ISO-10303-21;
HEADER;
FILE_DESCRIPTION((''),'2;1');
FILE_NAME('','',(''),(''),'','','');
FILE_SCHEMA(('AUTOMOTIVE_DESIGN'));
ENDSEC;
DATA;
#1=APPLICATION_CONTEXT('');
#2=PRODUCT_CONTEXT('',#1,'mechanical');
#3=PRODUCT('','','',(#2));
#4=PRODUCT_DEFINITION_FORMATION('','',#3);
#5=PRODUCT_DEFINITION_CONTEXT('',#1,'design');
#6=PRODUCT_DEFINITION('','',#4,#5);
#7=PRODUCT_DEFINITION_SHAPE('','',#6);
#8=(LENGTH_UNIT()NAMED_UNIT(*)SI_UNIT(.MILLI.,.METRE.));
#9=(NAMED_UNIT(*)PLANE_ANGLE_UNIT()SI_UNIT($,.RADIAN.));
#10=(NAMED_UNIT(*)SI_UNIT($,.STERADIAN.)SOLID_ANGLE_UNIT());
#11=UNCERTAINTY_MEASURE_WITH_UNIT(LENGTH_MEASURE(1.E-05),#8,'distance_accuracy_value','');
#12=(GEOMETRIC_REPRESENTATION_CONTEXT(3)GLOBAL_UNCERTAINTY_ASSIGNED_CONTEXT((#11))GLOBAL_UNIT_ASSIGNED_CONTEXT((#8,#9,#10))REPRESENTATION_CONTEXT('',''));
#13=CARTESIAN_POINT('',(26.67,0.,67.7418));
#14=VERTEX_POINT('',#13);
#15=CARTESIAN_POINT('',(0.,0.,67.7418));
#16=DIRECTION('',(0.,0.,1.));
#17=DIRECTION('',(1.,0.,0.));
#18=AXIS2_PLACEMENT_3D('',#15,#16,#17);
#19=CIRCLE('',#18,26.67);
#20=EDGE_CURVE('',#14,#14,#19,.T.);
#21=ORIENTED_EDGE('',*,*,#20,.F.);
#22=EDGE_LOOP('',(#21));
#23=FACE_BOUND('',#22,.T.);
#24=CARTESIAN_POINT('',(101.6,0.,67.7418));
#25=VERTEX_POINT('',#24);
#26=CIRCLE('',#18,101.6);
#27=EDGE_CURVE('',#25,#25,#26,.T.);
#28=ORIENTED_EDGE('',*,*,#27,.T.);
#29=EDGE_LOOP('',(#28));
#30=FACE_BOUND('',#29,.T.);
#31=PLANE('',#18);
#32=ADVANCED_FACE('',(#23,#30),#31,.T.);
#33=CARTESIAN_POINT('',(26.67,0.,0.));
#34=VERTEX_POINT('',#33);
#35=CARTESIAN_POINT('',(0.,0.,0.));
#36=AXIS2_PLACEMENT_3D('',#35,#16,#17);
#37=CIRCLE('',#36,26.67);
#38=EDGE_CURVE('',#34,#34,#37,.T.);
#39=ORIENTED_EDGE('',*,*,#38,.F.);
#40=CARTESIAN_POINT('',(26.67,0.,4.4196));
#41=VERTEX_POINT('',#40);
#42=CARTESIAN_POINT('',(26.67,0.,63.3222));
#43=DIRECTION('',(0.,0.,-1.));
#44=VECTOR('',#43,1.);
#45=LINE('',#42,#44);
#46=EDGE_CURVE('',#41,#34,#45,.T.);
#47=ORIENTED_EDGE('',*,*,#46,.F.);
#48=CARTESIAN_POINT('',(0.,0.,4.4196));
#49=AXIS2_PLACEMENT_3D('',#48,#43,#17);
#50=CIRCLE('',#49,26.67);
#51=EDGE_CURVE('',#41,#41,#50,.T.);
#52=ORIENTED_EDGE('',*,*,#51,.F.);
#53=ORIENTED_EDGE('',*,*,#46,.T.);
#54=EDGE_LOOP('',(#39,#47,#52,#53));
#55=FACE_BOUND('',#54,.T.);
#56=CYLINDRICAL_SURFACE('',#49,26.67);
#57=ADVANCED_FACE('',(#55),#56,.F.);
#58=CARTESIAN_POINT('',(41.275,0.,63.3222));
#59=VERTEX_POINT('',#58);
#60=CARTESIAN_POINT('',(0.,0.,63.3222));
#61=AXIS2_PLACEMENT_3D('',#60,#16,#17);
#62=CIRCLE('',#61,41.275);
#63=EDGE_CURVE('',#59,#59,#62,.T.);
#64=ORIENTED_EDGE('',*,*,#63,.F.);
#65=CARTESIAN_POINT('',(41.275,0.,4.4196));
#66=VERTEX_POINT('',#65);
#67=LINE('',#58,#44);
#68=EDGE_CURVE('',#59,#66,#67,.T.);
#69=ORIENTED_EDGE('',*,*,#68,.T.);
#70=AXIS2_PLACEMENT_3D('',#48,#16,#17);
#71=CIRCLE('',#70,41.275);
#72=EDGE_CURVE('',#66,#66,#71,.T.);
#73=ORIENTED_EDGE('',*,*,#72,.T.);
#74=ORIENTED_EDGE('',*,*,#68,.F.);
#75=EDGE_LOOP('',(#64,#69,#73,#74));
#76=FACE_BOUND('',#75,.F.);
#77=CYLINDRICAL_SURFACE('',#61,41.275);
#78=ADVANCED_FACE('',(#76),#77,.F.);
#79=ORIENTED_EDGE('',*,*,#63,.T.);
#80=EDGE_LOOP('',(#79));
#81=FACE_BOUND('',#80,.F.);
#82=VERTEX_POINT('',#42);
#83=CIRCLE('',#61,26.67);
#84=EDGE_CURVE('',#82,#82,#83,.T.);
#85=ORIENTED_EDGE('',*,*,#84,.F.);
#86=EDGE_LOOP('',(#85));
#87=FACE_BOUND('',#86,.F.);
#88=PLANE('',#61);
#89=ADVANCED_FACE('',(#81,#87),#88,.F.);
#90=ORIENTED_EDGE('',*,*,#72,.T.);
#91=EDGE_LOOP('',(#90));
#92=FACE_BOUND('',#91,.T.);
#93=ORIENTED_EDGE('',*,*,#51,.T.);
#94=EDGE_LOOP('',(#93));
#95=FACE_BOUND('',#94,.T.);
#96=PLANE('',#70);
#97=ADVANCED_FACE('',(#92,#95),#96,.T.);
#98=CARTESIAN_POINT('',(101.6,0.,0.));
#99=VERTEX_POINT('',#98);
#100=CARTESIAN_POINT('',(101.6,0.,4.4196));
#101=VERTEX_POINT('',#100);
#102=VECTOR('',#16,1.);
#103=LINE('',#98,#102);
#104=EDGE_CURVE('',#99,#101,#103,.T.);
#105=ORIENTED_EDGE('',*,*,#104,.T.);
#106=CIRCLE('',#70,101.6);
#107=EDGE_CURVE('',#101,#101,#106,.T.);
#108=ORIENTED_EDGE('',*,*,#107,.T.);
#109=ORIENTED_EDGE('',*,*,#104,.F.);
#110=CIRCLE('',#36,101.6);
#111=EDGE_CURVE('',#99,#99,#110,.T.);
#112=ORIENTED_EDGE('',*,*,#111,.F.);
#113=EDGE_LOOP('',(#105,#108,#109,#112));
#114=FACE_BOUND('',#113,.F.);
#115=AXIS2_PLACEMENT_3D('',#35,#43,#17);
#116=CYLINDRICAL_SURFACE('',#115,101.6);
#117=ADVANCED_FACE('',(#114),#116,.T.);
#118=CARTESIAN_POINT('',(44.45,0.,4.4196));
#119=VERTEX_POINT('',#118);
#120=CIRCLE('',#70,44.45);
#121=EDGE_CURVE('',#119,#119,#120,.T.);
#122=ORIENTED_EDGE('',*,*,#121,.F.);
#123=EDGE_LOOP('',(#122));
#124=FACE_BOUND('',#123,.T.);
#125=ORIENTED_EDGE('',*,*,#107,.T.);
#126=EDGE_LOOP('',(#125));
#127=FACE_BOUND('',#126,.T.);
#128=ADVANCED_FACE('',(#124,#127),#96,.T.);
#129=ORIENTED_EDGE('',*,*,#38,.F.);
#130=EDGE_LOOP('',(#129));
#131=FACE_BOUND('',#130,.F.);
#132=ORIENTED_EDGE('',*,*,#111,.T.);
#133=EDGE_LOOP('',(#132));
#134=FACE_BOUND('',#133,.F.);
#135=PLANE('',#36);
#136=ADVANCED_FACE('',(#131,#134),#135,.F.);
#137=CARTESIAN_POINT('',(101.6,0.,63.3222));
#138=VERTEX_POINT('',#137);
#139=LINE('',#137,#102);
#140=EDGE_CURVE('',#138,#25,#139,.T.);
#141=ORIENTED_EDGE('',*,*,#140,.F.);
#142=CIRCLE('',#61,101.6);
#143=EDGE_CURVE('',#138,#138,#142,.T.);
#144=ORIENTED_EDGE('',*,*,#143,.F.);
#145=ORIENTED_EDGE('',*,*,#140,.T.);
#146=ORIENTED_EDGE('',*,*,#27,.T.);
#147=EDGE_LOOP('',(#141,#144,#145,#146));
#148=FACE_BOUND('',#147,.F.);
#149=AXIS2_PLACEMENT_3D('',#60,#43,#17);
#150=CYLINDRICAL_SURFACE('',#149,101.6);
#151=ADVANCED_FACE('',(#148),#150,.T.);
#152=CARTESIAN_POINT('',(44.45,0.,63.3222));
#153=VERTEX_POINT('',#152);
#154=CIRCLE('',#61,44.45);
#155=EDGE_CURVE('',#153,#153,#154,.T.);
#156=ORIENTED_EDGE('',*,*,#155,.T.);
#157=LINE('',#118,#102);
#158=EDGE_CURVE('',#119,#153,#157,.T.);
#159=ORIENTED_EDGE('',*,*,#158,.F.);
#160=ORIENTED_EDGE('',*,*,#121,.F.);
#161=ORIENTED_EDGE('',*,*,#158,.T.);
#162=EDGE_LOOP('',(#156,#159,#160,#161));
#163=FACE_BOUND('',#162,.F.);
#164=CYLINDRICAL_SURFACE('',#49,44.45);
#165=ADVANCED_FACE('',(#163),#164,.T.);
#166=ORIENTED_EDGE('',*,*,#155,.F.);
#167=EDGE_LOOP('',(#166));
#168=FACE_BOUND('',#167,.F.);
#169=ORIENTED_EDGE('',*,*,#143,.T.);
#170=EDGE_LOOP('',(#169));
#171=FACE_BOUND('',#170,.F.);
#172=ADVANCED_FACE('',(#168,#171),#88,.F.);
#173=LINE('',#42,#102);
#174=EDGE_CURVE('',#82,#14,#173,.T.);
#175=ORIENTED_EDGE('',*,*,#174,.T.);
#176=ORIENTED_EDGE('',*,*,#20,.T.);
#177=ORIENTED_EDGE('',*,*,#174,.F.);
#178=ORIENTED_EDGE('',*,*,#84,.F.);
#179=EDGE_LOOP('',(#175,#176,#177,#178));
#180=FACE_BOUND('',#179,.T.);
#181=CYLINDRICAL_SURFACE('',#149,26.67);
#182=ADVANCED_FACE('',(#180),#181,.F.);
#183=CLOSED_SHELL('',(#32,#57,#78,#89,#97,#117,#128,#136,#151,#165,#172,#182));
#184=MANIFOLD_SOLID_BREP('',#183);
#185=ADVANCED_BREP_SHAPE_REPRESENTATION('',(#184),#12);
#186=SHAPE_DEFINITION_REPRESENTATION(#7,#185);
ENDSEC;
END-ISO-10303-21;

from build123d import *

# Parameters (mm, degrees)
F0_R     = 101.6
F0_R_2   = 26.67
F1_DEPTH = 4.4196
F2_R     = 44.45
F2_R_2   = 26.67
F3_DEPTH = 58.9026
F5_DEPTH = 58.9026
F6_R     = 101.6
F6_R_2   = 44.45
F6_R_3   = 41.275
F6_R_4   = 26.67
F7_DEPTH = 4.4196


with BuildPart() as f1:
    # F0 (on Top) → F1 (new body)
    with BuildSketch(Plane.XY):
        Circle(F0_R)
        Circle(F0_R_2, mode=Mode.SUBTRACT)
    extrude(amount=F1_DEPTH)

    # F2 (on face) → F3 (join)
    with BuildSketch(Plane.XY.offset(4.4196)):
        Circle(F2_R)
        Circle(F2_R_2, mode=Mode.SUBTRACT)
    extrude(amount=F3_DEPTH)

    # F4 (on face) → F5 (cut, through all)
    with BuildSketch(Plane.XY.offset(63.3222)):
        with BuildLine():
            ThreePointArc((-41.275, 0), (0, -41.275), (41.275, 0))
            ThreePointArc((41.275, 0), (0, 41.275), (-41.275, 0))
        make_face()
    extrude(amount=-F5_DEPTH, mode=Mode.SUBTRACT)

    # F6 (on face) → F7 (join)
    with BuildSketch(Plane.XY.offset(63.3222)):
        Circle(F6_R)
        Circle(F6_R_2, mode=Mode.SUBTRACT)
        Circle(F6_R_2)
        Circle(F6_R_3, mode=Mode.SUBTRACT)
        Circle(F6_R_3)
        Circle(F6_R_4, mode=Mode.SUBTRACT)
    extrude(amount=F7_DEPTH)


solid = f1.part
